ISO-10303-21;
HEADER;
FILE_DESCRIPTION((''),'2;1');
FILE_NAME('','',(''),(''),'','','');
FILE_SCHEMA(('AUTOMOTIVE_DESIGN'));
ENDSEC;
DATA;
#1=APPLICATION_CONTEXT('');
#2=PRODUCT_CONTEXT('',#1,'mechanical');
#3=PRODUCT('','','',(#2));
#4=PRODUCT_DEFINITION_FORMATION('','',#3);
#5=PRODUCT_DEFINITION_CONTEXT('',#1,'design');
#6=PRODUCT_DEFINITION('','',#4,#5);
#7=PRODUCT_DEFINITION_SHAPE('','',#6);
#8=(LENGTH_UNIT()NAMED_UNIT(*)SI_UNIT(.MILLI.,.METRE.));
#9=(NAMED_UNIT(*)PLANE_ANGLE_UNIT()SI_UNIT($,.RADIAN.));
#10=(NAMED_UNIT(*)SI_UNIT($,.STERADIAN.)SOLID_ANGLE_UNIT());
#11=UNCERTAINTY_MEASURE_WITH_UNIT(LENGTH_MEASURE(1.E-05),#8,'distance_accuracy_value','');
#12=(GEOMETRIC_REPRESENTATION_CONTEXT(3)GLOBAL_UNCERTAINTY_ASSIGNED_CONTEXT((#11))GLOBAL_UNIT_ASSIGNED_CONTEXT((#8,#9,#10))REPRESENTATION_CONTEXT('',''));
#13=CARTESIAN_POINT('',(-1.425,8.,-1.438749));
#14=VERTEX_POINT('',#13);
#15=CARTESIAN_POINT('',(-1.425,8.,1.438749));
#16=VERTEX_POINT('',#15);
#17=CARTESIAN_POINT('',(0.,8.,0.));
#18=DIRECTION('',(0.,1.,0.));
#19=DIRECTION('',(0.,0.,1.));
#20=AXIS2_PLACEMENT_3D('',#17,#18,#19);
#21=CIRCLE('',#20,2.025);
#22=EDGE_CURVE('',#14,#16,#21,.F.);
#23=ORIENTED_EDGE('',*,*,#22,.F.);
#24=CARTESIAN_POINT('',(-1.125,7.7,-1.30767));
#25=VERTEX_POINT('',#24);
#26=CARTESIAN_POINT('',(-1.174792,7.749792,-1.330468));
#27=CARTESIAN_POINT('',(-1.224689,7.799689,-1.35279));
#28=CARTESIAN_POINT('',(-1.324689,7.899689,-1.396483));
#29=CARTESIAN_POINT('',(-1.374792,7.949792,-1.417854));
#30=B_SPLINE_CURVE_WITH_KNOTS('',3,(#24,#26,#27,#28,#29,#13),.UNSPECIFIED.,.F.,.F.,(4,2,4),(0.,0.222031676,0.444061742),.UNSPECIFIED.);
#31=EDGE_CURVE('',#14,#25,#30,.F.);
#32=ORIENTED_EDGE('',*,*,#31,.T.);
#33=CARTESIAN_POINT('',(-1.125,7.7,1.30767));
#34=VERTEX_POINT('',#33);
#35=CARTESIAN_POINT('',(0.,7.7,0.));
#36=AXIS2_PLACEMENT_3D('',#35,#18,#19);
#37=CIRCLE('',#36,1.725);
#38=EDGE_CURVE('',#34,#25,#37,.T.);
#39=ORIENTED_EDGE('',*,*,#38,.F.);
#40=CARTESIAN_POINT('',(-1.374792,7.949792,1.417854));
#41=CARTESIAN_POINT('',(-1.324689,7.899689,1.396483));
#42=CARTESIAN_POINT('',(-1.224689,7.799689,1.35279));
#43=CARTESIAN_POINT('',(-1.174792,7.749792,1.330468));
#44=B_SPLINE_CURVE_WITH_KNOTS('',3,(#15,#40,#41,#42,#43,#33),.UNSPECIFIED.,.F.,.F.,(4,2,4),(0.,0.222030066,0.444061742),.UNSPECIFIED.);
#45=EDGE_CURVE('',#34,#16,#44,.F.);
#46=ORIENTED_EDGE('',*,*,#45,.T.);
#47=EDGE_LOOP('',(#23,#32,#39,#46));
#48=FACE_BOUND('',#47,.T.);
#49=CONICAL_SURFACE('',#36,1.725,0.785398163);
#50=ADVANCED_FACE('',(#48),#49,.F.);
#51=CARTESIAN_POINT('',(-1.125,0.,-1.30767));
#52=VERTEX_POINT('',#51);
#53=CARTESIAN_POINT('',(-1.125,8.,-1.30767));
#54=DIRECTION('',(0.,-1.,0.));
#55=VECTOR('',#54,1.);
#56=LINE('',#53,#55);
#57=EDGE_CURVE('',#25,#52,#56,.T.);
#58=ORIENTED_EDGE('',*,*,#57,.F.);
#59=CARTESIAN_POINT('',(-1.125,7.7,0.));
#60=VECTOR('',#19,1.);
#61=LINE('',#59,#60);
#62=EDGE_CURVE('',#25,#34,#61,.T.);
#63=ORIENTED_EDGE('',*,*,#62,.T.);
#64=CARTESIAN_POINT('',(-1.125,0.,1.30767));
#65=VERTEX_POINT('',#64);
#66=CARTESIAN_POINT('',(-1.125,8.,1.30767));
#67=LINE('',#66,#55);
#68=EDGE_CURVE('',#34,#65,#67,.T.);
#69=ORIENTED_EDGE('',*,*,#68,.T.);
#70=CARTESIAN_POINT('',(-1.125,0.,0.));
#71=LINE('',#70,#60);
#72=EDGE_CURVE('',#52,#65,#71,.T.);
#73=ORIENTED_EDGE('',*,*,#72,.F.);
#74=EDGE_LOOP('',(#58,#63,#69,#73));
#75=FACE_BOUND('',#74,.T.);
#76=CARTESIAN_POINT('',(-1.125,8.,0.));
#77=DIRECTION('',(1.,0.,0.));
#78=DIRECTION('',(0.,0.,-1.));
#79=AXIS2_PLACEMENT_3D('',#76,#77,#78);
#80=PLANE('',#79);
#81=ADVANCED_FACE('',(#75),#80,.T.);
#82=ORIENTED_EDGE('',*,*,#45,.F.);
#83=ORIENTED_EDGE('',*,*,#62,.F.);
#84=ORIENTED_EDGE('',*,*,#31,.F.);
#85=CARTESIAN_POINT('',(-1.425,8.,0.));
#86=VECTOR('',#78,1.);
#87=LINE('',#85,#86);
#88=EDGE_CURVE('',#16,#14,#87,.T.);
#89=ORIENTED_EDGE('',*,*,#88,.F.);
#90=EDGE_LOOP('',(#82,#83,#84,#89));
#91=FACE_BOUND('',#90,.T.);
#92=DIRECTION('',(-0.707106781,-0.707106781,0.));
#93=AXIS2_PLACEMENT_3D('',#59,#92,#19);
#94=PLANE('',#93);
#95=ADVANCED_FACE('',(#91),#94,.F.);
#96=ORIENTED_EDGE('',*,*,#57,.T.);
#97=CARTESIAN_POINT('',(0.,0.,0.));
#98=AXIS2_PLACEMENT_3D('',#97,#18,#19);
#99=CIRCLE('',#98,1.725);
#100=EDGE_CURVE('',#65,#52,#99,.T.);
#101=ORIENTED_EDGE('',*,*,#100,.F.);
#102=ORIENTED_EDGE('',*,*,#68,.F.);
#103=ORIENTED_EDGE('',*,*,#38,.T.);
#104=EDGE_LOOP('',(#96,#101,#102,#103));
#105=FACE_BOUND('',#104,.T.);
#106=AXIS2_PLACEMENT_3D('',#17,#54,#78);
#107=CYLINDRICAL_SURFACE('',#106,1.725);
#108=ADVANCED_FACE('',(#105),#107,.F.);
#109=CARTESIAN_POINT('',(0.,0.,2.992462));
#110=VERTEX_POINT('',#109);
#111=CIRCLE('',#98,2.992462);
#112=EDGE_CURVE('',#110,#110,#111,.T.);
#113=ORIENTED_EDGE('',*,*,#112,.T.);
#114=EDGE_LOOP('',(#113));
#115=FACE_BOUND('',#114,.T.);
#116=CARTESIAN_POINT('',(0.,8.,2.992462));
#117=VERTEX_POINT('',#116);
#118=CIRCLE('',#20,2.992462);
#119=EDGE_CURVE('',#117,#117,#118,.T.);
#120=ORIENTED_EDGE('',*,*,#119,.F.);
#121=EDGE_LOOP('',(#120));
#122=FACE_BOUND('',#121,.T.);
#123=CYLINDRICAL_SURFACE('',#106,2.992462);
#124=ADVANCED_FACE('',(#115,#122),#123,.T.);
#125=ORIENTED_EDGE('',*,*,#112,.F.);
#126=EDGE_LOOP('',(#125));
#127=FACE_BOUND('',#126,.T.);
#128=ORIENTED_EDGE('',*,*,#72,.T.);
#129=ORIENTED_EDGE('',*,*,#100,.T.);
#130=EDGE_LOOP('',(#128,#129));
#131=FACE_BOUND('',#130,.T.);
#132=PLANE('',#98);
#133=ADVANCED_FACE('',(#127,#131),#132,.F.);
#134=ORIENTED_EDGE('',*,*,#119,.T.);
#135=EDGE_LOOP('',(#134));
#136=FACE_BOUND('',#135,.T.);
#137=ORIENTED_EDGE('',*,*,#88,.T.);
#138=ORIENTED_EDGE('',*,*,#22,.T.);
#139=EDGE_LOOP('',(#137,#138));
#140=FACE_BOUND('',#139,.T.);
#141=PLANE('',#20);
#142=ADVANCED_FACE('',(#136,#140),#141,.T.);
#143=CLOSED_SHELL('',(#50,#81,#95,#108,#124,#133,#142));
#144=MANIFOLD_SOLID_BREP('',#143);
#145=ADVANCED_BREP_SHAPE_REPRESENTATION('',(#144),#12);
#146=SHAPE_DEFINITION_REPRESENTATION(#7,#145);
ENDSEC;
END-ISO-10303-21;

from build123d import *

# Parameters (mm, degrees)
SKETCH1_R           = 2.992461664
BOSS_EXTRUDE1_DEPTH = 8
CHAMFER2_SIZE       = 0.3


with BuildPart() as part:
    # Sketch1 → Boss-Extrude1 (new body)
    with BuildSketch(Plane(origin=(0, 0, 0), x_dir=(1, 0, 0), z_dir=(0, 1, 0))):
        Circle(SKETCH1_R)
        with BuildLine():
            Line((-1.125, 1.307669683), (-1.125, -1.307669683))
            ThreePointArc((-1.125, -1.307669683), (1.725, 0), (-1.125, 1.307669683))
        make_face(mode=Mode.SUBTRACT)
    extrude(amount=BOSS_EXTRUDE1_DEPTH)

    # Chamfer2
    chamfer2_edges = [part.edges().sort_by_distance(p)[0] for p in [
        (1.725, 8, 0),
        (-1.125, 8, 0),
    ]]
    chamfer(chamfer2_edges, length=CHAMFER2_SIZE)


solid = part.part
